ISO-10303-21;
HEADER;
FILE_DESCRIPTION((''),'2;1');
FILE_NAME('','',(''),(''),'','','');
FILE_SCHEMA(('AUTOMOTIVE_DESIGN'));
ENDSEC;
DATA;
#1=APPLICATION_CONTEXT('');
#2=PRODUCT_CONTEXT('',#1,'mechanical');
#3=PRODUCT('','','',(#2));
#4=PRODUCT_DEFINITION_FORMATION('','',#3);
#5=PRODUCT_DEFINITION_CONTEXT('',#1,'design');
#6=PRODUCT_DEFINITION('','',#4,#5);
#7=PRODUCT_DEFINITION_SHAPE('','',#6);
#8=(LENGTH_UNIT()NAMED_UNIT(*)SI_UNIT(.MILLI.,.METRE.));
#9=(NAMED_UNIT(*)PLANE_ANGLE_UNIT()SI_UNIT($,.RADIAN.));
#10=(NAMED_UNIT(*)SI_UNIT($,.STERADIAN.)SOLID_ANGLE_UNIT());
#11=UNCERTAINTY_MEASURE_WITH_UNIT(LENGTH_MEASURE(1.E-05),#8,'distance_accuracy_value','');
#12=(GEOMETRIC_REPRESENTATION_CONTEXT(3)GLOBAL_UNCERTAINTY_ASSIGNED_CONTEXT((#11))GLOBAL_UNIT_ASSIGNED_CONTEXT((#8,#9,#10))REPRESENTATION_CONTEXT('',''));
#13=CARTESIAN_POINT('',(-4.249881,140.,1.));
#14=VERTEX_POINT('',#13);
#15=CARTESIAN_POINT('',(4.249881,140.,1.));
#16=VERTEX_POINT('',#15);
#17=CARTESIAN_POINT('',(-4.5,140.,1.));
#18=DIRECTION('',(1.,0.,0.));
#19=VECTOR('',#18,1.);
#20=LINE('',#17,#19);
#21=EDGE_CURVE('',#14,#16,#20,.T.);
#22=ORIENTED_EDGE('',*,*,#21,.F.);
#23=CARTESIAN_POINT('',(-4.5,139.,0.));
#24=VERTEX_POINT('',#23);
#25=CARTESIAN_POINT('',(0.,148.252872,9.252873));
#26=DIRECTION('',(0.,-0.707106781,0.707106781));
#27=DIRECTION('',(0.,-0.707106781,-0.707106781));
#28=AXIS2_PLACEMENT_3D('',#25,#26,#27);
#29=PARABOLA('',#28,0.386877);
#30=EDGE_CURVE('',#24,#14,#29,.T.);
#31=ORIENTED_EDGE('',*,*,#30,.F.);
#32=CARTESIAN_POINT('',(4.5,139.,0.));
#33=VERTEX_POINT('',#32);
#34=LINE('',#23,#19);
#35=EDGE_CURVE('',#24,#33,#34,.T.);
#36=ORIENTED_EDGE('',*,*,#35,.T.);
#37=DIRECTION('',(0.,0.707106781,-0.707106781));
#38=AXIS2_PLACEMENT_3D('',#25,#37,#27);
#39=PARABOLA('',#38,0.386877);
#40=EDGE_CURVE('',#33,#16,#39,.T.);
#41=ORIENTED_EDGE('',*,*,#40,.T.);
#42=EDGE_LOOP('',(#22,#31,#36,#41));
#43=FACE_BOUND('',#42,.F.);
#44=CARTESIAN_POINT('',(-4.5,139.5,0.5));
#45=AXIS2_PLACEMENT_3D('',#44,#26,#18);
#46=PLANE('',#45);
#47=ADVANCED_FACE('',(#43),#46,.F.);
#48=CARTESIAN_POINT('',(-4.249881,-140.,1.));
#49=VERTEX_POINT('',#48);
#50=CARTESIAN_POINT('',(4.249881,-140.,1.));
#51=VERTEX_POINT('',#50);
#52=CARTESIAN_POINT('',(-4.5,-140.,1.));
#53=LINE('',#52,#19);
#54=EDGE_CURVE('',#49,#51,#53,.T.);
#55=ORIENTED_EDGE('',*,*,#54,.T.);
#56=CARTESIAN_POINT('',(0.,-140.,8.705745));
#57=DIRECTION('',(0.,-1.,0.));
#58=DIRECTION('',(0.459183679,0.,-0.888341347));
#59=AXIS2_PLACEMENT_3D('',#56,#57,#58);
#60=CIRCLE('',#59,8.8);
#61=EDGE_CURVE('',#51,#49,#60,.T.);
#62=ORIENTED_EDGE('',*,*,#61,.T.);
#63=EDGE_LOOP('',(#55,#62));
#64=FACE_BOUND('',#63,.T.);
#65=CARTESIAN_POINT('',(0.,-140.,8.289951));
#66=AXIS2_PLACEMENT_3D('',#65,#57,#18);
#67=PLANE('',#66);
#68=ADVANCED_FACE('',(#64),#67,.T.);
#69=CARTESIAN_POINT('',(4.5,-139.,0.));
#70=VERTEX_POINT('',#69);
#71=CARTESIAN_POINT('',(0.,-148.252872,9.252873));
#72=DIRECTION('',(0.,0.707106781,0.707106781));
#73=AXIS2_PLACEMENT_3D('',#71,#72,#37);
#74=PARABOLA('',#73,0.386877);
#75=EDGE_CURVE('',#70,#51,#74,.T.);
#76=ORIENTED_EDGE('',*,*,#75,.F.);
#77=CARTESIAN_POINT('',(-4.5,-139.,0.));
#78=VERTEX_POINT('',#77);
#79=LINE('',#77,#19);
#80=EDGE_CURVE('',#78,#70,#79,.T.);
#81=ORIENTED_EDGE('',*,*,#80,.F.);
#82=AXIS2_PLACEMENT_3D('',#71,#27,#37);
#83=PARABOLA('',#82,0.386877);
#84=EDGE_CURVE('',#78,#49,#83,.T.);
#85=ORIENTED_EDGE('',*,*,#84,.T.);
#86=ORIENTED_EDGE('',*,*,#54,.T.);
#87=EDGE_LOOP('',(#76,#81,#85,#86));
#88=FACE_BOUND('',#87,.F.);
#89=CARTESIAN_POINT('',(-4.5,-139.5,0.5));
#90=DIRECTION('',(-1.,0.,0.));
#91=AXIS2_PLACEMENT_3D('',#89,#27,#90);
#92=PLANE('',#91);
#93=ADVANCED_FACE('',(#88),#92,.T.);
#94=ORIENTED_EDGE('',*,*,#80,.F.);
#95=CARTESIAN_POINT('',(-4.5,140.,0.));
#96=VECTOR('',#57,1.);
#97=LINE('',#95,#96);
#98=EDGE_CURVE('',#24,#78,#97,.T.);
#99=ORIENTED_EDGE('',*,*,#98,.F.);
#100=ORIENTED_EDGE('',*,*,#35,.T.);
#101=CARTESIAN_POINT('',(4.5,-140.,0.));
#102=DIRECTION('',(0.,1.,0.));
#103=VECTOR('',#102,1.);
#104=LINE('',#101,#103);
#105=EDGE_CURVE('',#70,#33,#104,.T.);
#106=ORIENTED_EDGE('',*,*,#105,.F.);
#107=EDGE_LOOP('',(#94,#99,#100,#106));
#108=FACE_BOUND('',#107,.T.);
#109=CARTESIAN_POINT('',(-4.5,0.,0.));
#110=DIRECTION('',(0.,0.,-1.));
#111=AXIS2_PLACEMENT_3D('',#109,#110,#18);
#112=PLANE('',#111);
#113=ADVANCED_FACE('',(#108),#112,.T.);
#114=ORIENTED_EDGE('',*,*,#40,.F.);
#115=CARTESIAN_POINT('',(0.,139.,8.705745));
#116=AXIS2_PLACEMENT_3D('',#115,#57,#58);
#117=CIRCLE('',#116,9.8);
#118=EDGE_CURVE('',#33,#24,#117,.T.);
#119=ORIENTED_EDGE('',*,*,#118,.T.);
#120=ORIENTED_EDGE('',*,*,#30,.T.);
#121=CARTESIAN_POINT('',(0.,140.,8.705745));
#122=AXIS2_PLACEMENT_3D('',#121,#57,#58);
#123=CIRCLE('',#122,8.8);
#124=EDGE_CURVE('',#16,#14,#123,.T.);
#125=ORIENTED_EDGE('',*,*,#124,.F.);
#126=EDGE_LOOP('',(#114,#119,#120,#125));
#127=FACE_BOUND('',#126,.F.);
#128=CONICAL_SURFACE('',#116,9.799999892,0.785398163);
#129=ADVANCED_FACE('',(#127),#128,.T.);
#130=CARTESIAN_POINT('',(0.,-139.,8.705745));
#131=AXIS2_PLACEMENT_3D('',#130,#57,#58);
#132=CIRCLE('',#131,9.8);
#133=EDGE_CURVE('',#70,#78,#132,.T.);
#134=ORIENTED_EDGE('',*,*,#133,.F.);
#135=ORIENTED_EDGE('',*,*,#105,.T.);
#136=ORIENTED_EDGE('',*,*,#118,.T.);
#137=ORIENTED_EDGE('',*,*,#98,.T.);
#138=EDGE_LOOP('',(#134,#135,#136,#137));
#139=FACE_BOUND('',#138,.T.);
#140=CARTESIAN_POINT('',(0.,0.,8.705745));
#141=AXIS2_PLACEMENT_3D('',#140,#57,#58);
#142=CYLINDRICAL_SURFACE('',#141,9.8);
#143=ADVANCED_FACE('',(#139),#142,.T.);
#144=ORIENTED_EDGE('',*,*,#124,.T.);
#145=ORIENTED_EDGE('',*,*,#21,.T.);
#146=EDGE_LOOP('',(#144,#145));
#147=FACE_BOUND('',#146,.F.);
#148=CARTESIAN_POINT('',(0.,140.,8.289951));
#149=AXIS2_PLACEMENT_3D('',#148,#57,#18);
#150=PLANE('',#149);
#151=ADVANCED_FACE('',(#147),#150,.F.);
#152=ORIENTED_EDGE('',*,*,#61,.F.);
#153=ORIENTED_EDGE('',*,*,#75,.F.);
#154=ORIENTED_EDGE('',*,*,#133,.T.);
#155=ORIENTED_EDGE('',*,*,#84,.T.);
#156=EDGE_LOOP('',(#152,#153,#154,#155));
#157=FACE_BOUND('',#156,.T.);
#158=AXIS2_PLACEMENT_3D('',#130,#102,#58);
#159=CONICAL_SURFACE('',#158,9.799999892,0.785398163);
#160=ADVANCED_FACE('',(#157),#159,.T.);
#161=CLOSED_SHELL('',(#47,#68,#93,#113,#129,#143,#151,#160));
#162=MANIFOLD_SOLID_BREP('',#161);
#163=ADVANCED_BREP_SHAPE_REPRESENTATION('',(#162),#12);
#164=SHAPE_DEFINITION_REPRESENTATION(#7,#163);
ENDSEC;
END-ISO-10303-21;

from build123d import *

# Parameters (mm, degrees)
PAD_DEPTH    = 140
CHAMFER_SIZE = 1


with BuildPart() as part:
    # Sketch → Pad (new body, symmetric)
    with BuildSketch(Plane.XZ):
        with BuildLine():
            ThreePointArc((4.5, 0), (0, 18.505745), (-4.5, 0))
            Line((-4.5, 0), (4.5, 0))
        make_face()
    extrude(amount=PAD_DEPTH, both=True)

    # Chamfer
    chamfer_edges = [part.edges().sort_by_distance(p)[0] for p in [
        (0, -140, 18.505745),
        (0, -140, 0),
        (0, 140, 18.505745),
        (0, 140, 0),
    ]]
    chamfer(chamfer_edges, length=CHAMFER_SIZE)


solid = part.part
